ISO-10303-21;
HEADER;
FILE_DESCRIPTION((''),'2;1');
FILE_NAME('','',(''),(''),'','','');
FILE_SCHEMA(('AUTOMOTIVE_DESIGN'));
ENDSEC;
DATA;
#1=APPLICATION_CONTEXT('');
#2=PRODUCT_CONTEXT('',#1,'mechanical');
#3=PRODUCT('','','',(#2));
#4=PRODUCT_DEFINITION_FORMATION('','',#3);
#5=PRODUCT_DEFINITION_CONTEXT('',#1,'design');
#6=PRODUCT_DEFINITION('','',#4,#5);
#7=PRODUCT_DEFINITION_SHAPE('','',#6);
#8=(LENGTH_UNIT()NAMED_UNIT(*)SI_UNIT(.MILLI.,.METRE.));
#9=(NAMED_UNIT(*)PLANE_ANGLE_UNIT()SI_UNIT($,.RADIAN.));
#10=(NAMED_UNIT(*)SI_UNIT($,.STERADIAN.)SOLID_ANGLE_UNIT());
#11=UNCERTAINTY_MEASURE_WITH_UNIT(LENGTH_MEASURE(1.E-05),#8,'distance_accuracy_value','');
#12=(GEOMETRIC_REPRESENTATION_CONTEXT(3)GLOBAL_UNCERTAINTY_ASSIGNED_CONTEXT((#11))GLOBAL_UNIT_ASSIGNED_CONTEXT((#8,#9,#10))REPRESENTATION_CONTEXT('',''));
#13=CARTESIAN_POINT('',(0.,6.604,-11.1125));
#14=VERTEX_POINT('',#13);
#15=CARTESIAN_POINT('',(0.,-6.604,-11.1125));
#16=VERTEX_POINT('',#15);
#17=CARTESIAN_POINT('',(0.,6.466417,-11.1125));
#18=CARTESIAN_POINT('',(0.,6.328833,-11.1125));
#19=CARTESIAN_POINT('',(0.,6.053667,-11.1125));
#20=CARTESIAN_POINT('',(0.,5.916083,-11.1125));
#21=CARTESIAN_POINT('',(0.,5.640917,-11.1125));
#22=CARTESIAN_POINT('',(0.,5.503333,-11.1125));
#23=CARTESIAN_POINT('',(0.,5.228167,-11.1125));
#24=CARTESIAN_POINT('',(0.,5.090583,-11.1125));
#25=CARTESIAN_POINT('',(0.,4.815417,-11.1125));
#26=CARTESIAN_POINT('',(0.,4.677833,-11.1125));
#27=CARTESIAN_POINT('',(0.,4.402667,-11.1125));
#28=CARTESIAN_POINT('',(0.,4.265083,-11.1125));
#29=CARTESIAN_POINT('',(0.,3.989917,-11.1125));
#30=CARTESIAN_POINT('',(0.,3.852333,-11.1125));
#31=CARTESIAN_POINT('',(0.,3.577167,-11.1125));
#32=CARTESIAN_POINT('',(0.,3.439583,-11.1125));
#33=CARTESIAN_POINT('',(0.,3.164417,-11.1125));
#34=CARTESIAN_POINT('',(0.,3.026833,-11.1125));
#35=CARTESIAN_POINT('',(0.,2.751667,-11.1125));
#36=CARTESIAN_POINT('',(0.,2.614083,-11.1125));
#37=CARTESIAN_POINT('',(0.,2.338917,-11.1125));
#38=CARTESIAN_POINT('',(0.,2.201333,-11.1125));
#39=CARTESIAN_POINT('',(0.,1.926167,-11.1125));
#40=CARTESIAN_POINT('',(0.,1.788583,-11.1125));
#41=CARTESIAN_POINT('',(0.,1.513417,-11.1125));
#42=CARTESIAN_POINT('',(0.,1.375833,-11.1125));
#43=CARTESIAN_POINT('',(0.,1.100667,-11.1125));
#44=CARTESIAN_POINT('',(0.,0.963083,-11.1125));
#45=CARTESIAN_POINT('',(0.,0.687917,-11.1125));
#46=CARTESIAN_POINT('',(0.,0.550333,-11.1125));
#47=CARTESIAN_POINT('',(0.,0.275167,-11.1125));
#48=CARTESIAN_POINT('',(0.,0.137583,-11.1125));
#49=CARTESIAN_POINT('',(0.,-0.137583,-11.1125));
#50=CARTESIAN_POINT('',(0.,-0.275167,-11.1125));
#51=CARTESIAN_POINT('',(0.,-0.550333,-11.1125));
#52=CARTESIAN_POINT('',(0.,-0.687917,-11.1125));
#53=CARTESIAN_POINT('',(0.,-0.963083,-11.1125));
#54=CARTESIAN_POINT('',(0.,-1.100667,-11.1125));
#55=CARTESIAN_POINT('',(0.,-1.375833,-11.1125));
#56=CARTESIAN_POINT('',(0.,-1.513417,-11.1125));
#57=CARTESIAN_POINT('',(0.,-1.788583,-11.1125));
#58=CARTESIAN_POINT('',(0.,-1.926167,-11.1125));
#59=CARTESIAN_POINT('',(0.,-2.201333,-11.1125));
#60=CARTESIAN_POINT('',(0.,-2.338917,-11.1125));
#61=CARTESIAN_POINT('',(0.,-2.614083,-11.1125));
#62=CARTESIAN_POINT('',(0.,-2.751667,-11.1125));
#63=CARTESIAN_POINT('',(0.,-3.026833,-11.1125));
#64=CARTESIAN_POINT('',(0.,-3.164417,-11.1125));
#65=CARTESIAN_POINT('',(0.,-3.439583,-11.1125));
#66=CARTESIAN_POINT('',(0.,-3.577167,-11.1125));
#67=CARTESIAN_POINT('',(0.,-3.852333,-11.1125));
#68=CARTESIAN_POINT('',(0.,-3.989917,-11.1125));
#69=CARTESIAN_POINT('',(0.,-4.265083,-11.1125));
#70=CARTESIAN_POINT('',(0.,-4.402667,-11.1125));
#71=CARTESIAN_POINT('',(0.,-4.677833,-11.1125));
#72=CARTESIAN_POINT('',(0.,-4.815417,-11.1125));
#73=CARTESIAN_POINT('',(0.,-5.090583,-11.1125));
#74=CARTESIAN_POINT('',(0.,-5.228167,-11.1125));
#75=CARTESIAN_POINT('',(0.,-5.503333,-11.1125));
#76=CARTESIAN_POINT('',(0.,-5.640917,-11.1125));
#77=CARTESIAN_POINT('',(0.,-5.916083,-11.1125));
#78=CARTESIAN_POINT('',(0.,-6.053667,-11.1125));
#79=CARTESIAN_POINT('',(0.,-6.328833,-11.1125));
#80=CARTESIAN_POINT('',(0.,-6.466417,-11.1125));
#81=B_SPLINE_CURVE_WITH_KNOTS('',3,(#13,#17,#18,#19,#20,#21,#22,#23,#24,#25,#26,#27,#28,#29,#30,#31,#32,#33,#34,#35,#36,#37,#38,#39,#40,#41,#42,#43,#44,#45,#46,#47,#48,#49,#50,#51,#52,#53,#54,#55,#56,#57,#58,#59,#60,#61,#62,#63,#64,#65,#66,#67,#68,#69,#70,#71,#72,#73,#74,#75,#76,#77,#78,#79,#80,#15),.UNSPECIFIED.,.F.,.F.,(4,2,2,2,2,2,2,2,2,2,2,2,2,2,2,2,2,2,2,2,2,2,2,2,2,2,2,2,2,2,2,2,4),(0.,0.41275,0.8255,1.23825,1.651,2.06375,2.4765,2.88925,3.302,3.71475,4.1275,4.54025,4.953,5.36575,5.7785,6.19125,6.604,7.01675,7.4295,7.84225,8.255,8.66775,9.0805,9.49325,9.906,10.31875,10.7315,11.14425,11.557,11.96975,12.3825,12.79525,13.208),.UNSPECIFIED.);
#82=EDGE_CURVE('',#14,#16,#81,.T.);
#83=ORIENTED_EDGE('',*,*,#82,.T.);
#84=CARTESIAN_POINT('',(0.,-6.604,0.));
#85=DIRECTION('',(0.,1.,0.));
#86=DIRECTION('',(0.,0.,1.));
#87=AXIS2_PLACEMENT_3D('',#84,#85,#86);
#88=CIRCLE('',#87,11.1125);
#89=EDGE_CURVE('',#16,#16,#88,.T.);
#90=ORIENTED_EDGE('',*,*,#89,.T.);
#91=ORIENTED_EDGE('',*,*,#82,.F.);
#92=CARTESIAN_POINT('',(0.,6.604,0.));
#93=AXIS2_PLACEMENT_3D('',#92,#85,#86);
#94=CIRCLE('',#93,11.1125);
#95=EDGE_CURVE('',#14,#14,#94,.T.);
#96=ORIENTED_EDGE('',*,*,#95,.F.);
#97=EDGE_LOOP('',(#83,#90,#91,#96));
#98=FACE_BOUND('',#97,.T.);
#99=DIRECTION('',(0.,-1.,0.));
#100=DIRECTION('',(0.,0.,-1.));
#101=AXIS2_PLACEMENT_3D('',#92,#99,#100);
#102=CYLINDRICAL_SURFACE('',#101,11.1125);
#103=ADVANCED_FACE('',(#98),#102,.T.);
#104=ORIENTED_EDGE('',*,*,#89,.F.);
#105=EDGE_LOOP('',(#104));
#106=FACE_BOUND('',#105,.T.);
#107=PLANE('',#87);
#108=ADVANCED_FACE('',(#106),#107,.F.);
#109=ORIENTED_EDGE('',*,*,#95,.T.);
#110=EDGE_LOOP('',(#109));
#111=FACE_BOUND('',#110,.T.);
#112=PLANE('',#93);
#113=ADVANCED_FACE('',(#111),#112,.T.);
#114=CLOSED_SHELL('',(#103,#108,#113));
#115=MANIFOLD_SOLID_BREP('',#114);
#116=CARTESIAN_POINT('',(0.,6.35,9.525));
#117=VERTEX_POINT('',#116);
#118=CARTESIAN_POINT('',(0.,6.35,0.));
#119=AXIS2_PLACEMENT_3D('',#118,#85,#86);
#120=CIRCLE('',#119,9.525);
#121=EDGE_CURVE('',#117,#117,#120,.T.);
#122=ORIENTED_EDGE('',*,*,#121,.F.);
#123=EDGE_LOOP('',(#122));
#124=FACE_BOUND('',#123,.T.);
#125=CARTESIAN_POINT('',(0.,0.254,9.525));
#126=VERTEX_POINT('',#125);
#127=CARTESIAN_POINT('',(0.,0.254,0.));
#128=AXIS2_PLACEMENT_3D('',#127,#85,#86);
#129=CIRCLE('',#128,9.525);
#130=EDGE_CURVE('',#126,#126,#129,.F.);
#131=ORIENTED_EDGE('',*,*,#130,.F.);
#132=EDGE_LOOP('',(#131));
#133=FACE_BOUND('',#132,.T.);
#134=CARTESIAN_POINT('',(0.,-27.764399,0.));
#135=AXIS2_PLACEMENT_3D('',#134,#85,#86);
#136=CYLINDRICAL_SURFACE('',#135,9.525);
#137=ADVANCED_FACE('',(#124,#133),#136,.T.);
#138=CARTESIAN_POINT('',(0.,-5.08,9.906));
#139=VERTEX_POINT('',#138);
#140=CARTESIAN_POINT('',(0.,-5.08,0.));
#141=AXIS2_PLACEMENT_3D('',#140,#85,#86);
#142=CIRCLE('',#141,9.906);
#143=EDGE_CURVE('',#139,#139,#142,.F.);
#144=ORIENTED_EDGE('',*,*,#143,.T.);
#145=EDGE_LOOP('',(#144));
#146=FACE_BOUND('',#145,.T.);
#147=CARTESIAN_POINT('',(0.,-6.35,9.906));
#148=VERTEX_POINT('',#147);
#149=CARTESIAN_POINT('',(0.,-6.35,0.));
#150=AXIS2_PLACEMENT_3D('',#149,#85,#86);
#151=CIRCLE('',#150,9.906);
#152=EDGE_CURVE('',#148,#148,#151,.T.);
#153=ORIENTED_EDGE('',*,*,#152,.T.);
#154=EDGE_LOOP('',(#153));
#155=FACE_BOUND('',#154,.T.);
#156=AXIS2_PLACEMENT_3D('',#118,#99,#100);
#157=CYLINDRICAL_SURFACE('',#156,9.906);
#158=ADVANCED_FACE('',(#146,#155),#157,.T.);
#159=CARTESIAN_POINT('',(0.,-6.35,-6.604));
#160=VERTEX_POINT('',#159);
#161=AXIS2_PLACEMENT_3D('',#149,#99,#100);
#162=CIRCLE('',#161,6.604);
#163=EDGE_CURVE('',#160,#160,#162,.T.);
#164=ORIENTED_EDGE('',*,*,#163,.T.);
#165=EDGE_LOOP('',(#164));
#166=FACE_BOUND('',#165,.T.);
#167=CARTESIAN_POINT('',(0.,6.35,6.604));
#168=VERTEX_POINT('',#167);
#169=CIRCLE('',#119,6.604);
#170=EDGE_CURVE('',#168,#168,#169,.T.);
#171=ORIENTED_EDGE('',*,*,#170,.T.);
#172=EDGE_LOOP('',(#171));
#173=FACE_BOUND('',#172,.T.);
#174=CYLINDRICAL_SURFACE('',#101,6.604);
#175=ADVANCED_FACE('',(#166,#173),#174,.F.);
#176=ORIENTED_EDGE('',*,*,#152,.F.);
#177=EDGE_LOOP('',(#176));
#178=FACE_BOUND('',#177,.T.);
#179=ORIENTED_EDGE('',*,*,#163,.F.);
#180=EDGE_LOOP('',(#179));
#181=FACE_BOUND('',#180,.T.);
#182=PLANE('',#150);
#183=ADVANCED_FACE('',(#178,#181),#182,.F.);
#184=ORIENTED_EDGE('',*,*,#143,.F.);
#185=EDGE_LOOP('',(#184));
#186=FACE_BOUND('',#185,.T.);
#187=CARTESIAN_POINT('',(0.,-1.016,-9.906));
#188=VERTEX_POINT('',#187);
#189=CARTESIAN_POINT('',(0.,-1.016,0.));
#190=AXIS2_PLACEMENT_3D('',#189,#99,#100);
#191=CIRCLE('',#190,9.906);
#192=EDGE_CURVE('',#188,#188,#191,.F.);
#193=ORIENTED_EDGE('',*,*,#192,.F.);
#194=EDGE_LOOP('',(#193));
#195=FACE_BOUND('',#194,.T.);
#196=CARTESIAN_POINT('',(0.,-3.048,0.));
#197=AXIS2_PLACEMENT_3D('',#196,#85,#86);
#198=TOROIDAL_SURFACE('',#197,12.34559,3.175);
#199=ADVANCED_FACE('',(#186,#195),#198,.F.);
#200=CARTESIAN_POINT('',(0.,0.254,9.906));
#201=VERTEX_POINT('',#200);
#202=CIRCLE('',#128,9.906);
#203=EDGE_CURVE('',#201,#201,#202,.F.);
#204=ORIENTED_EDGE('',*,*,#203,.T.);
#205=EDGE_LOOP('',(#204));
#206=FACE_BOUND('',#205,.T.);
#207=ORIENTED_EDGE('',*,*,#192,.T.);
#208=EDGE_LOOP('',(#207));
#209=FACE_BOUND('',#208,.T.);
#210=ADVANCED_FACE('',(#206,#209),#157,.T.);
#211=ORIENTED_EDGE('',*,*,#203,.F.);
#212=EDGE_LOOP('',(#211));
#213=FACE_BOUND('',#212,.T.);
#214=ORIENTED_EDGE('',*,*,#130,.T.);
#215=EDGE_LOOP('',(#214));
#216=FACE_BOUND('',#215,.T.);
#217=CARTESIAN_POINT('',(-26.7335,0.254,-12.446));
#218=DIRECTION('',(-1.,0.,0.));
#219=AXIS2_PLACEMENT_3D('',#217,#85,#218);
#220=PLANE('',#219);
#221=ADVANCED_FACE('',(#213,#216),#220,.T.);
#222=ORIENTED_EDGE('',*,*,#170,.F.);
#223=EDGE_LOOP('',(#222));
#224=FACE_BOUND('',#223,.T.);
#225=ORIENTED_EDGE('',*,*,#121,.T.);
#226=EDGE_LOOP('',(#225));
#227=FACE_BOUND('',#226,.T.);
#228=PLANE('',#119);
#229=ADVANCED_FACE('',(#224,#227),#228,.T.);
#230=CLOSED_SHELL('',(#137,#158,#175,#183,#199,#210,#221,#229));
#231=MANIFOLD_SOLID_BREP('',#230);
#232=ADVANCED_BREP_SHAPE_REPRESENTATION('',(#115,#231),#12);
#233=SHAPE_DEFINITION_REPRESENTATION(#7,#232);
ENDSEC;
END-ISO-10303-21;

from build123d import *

# Parameters (mm, degrees)
SKETCH1_R           = 11.1125
BOSS_EXTRUDE1_DEPTH = 6.604
SKETCH2_R           = 9.906
BOSS_EXTRUDE2_DEPTH = 6.35
SKETCH3_R           = 9.906
SKETCH3_R_2         = 9.525
CUT_EXTRUDE1_DEPTH  = 6.096
SKETCH5_R           = 3.175
SKETCH6_R           = 6.604
CUT_EXTRUDE3_DEPTH  = 21.366183454


with BuildPart() as part:
    # Sketch1 → Boss-Extrude1 (new, symmetric)
    with BuildSketch(Plane(origin=(0, 0, 0), x_dir=(1, 0, 0), z_dir=(0, 1, 0))):
        with Locations(Location((0, 0, 0), (0, 0, 90))):
            Circle(SKETCH1_R)
    extrude(amount=BOSS_EXTRUDE1_DEPTH, both=True)


with BuildPart() as body_2:
    # Sketch2 → Boss-Extrude2 (new, symmetric)
    with BuildSketch(Plane(origin=(0, 0, 0), x_dir=(1, 0, 0), z_dir=(0, 1, 0))):
        with Locations(Location((0, 0, 0), (0, 0, 270))):
            Circle(SKETCH2_R)
    extrude(amount=BOSS_EXTRUDE2_DEPTH, both=True)

    # Sketch3 → Cut-Extrude1 (cut)
    with BuildSketch(Plane(origin=(0, 6.35, 0), x_dir=(1, 0, 0), z_dir=(0, 1, 0))):
        with Locations(Location((0, 0, 0), (0, 0, 270))):
            Circle(SKETCH3_R)
        with Locations(Location((0, 0, 0), (0, 0, 270))):
            Circle(SKETCH3_R_2, mode=Mode.SUBTRACT)
    extrude(amount=-CUT_EXTRUDE1_DEPTH, mode=Mode.SUBTRACT)

    # Sketch5 → Cut-Revolve1 (revolve, cut)
    with BuildSketch(Plane.XY, mode=Mode.PRIVATE) as cut_revolve1_sk:
        with Locations((-12.345590334, -3.048)):
            Circle(SKETCH5_R)
    revolve(cut_revolve1_sk.sketch.rotate(Axis((0, 0.254, 0), (0, -1, 0)), 270), axis=Axis((0, 0.254, 0), (0, -1, 0)), mode=Mode.SUBTRACT)

    # Sketch6 → Cut-Extrude3 (cut, through all)
    with BuildSketch(Plane.XZ.offset(6.35)):
        with Locations(Location((0, 0, 0), (0, 0, 270))):
            Circle(SKETCH6_R)
    extrude(amount=-CUT_EXTRUDE3_DEPTH, mode=Mode.SUBTRACT)


solid = Compound([part.part, body_2.part])
